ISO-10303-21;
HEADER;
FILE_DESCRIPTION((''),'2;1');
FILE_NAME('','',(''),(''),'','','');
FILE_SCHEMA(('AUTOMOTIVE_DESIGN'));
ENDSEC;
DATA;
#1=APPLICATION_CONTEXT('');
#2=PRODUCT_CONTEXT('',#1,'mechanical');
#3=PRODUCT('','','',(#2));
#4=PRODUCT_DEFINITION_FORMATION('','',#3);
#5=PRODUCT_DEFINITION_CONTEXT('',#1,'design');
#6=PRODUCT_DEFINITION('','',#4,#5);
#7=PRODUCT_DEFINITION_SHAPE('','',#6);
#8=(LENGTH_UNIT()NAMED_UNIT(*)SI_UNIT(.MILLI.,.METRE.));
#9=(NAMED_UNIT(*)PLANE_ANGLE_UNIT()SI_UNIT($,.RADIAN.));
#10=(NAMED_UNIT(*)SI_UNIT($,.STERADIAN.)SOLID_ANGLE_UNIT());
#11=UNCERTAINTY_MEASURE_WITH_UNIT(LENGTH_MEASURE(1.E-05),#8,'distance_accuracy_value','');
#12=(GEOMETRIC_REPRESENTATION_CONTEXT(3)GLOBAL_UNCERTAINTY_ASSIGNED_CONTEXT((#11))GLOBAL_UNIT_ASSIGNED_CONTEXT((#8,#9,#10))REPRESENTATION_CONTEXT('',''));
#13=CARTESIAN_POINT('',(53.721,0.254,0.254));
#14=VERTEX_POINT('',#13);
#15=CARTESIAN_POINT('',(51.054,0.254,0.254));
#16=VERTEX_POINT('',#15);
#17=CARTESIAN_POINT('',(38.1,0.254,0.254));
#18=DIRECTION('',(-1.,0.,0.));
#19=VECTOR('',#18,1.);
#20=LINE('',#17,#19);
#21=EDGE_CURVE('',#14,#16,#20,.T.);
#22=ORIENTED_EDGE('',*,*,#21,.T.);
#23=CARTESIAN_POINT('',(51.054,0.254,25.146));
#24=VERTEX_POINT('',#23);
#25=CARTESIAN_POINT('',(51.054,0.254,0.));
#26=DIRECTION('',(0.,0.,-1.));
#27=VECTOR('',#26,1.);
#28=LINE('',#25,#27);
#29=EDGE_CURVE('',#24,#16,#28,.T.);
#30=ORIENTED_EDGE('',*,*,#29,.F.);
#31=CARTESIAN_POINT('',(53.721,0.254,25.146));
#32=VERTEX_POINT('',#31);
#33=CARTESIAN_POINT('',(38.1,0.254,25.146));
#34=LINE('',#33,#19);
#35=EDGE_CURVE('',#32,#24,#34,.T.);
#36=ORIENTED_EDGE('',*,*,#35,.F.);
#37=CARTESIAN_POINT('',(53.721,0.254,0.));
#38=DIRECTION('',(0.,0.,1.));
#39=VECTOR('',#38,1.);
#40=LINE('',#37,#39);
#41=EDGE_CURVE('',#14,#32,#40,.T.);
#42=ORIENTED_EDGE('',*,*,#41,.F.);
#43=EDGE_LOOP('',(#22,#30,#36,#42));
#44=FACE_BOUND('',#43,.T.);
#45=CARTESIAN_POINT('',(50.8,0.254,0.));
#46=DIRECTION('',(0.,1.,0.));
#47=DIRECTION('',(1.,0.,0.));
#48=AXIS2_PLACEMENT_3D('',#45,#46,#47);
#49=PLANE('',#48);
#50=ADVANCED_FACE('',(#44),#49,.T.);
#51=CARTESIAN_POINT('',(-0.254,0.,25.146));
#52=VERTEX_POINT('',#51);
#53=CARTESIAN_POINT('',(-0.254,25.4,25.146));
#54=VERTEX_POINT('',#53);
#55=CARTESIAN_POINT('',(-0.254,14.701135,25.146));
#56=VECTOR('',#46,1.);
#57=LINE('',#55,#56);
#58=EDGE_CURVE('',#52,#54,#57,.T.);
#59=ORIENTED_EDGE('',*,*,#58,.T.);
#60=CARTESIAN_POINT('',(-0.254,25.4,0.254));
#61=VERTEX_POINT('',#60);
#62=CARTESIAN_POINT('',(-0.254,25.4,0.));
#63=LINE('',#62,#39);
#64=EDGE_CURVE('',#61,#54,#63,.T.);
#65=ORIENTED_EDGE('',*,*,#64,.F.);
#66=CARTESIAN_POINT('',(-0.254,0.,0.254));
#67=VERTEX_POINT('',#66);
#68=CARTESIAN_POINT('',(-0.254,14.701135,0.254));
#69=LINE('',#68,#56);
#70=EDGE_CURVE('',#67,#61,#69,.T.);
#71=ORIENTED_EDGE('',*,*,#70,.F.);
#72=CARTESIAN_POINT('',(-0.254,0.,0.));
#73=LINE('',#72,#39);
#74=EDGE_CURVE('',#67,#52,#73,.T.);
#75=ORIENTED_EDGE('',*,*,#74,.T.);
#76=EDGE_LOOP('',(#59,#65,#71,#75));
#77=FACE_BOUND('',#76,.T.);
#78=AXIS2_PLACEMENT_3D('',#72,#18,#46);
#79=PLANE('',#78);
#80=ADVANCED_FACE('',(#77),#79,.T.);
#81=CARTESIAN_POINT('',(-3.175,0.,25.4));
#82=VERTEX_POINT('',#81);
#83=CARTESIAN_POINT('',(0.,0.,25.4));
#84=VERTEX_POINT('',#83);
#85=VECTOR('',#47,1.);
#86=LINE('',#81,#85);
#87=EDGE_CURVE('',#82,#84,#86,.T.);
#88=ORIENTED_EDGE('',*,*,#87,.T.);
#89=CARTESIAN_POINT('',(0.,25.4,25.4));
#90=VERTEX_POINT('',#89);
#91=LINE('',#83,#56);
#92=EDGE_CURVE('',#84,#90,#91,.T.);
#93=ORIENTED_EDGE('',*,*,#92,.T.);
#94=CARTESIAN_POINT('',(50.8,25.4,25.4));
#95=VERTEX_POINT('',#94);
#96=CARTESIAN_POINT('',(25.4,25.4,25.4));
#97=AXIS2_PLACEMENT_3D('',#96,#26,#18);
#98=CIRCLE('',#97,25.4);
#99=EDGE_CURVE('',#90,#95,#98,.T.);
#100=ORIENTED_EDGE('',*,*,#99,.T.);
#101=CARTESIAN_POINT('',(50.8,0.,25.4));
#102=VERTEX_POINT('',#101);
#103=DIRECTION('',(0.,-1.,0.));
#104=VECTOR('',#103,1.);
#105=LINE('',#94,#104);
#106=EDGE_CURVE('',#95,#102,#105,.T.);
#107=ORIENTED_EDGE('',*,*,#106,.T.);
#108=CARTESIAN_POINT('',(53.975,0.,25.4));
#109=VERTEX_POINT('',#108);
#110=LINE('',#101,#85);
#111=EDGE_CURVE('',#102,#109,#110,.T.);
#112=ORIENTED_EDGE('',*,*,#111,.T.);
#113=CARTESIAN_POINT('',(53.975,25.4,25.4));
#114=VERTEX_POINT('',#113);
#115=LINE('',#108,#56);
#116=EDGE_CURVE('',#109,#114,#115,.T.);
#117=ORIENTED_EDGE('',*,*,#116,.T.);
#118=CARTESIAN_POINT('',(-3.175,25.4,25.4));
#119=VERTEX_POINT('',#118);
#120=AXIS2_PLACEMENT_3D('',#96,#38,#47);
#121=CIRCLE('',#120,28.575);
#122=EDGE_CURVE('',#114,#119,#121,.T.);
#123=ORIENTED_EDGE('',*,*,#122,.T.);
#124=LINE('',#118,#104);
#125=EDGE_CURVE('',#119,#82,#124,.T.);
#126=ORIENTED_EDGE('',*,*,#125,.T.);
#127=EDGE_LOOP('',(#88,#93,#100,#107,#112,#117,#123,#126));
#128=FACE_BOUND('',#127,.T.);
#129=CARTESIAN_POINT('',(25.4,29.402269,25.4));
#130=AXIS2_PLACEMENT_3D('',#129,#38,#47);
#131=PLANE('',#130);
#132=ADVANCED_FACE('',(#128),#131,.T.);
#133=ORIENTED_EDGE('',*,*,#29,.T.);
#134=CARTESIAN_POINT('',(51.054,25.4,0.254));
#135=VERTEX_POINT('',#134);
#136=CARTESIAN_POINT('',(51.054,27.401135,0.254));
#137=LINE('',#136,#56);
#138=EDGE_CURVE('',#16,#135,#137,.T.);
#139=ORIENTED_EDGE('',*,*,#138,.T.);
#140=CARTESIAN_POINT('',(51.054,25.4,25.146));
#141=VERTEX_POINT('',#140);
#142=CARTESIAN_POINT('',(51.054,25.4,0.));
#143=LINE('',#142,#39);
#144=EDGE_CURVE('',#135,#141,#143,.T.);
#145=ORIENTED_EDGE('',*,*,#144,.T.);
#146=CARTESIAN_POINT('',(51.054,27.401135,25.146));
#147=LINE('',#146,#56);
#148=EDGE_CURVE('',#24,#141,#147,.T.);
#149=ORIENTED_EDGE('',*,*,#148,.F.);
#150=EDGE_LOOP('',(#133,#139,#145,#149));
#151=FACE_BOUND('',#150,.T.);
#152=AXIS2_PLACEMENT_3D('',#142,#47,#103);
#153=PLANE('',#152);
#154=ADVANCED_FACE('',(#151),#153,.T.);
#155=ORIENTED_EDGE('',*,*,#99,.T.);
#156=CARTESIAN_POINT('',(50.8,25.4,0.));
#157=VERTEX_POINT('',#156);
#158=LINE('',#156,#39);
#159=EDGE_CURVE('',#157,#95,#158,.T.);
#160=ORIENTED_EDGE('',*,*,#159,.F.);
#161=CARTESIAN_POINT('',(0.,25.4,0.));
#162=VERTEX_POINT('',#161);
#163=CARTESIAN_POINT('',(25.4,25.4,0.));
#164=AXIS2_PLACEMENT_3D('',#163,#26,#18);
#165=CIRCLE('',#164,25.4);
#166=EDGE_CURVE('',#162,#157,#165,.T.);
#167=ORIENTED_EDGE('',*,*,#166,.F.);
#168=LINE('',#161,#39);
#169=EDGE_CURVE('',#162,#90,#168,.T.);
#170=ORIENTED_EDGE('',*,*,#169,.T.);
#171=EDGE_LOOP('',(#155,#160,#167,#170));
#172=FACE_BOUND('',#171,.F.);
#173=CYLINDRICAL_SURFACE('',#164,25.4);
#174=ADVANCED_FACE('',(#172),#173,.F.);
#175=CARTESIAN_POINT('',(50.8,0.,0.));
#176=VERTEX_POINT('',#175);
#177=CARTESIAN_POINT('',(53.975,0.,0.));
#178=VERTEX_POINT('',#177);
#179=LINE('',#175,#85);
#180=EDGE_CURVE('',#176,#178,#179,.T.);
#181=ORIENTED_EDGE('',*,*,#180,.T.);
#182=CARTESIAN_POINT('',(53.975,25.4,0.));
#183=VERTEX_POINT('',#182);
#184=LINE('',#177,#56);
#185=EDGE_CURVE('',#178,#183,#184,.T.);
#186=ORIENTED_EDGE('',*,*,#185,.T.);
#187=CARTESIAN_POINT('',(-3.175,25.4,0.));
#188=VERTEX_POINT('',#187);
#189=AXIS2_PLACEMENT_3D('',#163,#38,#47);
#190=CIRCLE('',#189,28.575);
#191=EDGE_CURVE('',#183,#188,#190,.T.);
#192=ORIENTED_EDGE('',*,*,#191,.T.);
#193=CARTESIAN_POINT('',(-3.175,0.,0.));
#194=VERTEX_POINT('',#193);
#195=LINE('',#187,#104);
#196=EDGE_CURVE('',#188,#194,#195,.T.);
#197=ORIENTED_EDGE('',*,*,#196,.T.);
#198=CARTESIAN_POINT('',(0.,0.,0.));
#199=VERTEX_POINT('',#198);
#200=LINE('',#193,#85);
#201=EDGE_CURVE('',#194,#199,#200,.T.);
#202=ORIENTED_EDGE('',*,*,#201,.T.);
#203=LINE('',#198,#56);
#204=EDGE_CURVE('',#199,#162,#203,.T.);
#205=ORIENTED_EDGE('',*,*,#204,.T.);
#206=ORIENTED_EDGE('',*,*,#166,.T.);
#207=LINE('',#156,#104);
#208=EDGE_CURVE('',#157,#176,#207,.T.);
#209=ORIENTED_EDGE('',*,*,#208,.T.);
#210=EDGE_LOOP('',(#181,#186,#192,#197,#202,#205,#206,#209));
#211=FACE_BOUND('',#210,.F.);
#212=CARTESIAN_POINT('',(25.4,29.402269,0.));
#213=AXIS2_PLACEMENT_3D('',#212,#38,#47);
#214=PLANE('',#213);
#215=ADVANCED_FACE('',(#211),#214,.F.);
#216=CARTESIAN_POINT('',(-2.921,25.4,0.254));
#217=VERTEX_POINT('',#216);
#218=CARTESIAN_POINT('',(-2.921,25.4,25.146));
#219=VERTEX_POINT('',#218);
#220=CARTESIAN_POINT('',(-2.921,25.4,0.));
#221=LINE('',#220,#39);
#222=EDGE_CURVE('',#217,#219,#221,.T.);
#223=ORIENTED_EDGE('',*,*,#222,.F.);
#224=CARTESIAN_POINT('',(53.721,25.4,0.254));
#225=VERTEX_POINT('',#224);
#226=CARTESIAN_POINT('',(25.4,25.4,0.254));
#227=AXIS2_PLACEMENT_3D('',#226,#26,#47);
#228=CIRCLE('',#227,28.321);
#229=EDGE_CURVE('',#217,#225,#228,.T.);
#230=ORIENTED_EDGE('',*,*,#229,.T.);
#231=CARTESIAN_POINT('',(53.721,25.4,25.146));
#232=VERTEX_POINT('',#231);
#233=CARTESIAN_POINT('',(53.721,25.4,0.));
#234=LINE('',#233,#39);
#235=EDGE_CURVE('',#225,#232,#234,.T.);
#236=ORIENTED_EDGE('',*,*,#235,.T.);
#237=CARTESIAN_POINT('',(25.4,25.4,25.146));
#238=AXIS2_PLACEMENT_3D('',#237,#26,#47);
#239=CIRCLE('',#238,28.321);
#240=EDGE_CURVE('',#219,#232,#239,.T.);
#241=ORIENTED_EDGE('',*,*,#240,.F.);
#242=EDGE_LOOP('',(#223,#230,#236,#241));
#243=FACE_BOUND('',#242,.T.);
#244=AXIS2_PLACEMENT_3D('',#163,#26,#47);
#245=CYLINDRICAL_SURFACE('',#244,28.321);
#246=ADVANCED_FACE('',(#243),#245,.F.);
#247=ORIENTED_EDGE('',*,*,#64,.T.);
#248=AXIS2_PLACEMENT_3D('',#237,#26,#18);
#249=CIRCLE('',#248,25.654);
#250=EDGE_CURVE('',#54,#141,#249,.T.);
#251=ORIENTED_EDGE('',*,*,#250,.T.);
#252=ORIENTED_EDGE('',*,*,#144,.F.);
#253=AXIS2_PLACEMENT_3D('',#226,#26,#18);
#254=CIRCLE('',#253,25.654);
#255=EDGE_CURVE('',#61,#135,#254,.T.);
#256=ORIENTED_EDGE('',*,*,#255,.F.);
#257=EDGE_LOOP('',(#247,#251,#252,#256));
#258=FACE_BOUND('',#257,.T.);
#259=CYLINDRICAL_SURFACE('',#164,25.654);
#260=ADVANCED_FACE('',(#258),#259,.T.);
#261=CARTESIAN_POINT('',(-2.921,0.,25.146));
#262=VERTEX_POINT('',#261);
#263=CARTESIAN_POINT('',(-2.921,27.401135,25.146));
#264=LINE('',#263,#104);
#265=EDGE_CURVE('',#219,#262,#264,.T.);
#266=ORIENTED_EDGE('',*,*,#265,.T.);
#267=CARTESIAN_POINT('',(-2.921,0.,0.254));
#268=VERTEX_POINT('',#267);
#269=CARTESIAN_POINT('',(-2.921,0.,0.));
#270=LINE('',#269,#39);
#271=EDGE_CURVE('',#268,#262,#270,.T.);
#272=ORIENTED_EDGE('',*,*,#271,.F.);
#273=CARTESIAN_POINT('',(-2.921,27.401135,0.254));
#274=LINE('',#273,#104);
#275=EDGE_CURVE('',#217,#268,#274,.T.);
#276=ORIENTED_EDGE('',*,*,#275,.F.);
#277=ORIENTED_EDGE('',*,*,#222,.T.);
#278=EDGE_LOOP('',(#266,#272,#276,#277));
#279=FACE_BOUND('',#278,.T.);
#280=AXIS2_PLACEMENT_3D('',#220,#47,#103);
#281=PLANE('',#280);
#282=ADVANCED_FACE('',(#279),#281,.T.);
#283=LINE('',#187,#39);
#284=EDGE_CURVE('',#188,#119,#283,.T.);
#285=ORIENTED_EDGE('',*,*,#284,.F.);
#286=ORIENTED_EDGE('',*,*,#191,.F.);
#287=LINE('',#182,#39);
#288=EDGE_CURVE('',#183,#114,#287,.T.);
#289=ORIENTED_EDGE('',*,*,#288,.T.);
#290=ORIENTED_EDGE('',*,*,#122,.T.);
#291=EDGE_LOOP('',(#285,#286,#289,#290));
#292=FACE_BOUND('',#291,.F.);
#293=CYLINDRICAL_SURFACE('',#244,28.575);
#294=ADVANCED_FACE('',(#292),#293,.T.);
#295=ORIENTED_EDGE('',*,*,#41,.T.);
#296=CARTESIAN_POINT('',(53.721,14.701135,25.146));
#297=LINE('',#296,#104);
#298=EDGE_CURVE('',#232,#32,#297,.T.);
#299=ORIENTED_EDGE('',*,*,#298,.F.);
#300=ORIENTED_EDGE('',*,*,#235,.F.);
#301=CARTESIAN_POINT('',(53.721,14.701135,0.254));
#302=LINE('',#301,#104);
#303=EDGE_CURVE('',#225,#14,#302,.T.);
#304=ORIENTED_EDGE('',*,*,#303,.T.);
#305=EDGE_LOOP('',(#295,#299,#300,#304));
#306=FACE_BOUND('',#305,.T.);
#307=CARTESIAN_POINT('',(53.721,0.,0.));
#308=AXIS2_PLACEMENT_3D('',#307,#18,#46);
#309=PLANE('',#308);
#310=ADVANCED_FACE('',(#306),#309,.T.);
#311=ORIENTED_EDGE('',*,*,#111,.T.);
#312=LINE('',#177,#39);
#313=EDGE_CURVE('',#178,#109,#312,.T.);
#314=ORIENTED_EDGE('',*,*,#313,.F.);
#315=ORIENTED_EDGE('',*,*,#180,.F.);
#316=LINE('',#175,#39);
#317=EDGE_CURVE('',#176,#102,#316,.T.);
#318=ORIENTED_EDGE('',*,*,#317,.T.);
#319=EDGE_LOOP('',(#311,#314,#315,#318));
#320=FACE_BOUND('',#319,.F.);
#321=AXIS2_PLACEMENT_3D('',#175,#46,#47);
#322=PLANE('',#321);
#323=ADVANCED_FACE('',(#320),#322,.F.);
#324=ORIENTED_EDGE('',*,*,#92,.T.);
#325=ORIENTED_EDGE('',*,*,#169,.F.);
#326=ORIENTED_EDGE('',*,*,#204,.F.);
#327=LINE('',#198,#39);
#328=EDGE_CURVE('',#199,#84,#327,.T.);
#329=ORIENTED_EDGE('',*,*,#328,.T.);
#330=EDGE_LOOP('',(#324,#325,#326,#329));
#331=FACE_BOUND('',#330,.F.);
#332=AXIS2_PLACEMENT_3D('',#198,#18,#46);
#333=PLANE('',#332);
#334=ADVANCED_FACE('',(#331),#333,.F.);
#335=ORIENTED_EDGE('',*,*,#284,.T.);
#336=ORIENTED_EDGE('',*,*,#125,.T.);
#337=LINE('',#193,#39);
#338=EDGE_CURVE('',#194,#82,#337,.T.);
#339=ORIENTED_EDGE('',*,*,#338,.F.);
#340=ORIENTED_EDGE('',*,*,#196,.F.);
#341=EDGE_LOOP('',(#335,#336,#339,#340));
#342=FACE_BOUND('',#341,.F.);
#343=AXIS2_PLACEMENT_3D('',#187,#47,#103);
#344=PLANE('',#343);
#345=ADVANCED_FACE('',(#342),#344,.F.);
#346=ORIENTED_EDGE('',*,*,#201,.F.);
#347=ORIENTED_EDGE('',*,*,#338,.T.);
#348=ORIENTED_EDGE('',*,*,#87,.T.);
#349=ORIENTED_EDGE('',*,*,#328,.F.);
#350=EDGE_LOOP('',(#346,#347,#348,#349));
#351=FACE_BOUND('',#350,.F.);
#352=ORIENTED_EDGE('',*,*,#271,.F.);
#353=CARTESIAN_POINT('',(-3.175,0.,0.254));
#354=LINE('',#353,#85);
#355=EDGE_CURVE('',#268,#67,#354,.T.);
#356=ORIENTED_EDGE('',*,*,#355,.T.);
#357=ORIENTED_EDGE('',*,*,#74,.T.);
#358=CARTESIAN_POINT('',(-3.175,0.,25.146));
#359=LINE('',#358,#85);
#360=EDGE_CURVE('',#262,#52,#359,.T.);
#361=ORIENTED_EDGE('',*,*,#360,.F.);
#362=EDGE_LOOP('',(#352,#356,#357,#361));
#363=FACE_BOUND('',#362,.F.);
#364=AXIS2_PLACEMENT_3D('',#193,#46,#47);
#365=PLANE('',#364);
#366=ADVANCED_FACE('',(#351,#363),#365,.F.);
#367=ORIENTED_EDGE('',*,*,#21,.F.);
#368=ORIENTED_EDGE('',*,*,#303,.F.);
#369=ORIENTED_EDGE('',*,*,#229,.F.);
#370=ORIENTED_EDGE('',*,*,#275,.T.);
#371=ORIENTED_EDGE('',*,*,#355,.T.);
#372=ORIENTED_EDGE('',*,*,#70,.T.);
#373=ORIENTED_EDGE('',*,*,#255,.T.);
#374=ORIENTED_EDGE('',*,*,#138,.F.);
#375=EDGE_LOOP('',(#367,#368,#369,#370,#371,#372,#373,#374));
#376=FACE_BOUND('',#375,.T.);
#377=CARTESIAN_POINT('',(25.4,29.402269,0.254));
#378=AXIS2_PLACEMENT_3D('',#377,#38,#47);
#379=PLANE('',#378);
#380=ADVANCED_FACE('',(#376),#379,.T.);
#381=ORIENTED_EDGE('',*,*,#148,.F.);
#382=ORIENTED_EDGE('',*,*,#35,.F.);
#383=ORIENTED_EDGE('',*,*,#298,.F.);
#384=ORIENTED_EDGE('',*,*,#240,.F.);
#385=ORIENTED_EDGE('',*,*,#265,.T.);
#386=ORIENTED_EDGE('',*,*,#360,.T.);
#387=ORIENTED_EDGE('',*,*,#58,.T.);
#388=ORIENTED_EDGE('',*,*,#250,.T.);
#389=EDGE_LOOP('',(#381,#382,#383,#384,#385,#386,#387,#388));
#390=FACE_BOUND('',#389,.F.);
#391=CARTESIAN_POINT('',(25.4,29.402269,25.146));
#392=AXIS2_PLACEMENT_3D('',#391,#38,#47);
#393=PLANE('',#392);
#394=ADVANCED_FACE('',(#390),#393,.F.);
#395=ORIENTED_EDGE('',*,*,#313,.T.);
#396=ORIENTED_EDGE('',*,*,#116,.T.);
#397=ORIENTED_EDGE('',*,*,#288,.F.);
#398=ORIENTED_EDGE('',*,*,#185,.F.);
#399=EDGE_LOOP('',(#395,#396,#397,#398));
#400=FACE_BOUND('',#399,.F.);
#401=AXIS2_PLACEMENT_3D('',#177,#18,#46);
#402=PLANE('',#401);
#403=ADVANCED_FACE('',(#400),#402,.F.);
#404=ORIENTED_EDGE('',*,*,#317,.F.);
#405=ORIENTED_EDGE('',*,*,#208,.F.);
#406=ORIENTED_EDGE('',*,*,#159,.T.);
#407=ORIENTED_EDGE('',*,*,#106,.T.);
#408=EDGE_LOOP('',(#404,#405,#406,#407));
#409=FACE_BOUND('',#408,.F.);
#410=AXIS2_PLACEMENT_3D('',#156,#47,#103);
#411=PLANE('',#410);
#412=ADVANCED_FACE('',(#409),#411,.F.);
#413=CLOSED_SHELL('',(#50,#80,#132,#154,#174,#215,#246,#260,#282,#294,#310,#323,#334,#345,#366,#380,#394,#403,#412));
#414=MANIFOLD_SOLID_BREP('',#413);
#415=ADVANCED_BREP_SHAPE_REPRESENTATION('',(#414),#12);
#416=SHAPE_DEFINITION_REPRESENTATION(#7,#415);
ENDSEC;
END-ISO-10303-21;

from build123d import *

# Parameters (mm, degrees)
F1_DEPTH = 25.4
F2_T     = -0.254


with BuildPart() as f1:
    # F0 (on Top) → F1 (new body)
    with BuildSketch(Plane.XY):
        with BuildLine():
            Line((-3.175, 0), (0, 0))
            Line((0, 0), (0, 25.4))
            ThreePointArc((0, 25.4), (25.4, 50.8), (50.8, 25.4))
            Line((50.8, 25.4), (50.8, 0))
            Line((50.8, 0), (53.975, 0))
            Line((53.975, 0), (53.975, 25.4))
            ThreePointArc((53.975, 25.4), (25.4, 53.975), (-3.175, 25.4))
            Line((-3.175, 25.4), (-3.175, 0))
        make_face()
    extrude(amount=F1_DEPTH)

    # F2
    f2_openings = [f1.faces().sort_by_distance(p)[0] for p in [
        (-1.5875, 0, 12.7),
    ]]
    offset(amount=F2_T, openings=f2_openings)


solid = f1.part
